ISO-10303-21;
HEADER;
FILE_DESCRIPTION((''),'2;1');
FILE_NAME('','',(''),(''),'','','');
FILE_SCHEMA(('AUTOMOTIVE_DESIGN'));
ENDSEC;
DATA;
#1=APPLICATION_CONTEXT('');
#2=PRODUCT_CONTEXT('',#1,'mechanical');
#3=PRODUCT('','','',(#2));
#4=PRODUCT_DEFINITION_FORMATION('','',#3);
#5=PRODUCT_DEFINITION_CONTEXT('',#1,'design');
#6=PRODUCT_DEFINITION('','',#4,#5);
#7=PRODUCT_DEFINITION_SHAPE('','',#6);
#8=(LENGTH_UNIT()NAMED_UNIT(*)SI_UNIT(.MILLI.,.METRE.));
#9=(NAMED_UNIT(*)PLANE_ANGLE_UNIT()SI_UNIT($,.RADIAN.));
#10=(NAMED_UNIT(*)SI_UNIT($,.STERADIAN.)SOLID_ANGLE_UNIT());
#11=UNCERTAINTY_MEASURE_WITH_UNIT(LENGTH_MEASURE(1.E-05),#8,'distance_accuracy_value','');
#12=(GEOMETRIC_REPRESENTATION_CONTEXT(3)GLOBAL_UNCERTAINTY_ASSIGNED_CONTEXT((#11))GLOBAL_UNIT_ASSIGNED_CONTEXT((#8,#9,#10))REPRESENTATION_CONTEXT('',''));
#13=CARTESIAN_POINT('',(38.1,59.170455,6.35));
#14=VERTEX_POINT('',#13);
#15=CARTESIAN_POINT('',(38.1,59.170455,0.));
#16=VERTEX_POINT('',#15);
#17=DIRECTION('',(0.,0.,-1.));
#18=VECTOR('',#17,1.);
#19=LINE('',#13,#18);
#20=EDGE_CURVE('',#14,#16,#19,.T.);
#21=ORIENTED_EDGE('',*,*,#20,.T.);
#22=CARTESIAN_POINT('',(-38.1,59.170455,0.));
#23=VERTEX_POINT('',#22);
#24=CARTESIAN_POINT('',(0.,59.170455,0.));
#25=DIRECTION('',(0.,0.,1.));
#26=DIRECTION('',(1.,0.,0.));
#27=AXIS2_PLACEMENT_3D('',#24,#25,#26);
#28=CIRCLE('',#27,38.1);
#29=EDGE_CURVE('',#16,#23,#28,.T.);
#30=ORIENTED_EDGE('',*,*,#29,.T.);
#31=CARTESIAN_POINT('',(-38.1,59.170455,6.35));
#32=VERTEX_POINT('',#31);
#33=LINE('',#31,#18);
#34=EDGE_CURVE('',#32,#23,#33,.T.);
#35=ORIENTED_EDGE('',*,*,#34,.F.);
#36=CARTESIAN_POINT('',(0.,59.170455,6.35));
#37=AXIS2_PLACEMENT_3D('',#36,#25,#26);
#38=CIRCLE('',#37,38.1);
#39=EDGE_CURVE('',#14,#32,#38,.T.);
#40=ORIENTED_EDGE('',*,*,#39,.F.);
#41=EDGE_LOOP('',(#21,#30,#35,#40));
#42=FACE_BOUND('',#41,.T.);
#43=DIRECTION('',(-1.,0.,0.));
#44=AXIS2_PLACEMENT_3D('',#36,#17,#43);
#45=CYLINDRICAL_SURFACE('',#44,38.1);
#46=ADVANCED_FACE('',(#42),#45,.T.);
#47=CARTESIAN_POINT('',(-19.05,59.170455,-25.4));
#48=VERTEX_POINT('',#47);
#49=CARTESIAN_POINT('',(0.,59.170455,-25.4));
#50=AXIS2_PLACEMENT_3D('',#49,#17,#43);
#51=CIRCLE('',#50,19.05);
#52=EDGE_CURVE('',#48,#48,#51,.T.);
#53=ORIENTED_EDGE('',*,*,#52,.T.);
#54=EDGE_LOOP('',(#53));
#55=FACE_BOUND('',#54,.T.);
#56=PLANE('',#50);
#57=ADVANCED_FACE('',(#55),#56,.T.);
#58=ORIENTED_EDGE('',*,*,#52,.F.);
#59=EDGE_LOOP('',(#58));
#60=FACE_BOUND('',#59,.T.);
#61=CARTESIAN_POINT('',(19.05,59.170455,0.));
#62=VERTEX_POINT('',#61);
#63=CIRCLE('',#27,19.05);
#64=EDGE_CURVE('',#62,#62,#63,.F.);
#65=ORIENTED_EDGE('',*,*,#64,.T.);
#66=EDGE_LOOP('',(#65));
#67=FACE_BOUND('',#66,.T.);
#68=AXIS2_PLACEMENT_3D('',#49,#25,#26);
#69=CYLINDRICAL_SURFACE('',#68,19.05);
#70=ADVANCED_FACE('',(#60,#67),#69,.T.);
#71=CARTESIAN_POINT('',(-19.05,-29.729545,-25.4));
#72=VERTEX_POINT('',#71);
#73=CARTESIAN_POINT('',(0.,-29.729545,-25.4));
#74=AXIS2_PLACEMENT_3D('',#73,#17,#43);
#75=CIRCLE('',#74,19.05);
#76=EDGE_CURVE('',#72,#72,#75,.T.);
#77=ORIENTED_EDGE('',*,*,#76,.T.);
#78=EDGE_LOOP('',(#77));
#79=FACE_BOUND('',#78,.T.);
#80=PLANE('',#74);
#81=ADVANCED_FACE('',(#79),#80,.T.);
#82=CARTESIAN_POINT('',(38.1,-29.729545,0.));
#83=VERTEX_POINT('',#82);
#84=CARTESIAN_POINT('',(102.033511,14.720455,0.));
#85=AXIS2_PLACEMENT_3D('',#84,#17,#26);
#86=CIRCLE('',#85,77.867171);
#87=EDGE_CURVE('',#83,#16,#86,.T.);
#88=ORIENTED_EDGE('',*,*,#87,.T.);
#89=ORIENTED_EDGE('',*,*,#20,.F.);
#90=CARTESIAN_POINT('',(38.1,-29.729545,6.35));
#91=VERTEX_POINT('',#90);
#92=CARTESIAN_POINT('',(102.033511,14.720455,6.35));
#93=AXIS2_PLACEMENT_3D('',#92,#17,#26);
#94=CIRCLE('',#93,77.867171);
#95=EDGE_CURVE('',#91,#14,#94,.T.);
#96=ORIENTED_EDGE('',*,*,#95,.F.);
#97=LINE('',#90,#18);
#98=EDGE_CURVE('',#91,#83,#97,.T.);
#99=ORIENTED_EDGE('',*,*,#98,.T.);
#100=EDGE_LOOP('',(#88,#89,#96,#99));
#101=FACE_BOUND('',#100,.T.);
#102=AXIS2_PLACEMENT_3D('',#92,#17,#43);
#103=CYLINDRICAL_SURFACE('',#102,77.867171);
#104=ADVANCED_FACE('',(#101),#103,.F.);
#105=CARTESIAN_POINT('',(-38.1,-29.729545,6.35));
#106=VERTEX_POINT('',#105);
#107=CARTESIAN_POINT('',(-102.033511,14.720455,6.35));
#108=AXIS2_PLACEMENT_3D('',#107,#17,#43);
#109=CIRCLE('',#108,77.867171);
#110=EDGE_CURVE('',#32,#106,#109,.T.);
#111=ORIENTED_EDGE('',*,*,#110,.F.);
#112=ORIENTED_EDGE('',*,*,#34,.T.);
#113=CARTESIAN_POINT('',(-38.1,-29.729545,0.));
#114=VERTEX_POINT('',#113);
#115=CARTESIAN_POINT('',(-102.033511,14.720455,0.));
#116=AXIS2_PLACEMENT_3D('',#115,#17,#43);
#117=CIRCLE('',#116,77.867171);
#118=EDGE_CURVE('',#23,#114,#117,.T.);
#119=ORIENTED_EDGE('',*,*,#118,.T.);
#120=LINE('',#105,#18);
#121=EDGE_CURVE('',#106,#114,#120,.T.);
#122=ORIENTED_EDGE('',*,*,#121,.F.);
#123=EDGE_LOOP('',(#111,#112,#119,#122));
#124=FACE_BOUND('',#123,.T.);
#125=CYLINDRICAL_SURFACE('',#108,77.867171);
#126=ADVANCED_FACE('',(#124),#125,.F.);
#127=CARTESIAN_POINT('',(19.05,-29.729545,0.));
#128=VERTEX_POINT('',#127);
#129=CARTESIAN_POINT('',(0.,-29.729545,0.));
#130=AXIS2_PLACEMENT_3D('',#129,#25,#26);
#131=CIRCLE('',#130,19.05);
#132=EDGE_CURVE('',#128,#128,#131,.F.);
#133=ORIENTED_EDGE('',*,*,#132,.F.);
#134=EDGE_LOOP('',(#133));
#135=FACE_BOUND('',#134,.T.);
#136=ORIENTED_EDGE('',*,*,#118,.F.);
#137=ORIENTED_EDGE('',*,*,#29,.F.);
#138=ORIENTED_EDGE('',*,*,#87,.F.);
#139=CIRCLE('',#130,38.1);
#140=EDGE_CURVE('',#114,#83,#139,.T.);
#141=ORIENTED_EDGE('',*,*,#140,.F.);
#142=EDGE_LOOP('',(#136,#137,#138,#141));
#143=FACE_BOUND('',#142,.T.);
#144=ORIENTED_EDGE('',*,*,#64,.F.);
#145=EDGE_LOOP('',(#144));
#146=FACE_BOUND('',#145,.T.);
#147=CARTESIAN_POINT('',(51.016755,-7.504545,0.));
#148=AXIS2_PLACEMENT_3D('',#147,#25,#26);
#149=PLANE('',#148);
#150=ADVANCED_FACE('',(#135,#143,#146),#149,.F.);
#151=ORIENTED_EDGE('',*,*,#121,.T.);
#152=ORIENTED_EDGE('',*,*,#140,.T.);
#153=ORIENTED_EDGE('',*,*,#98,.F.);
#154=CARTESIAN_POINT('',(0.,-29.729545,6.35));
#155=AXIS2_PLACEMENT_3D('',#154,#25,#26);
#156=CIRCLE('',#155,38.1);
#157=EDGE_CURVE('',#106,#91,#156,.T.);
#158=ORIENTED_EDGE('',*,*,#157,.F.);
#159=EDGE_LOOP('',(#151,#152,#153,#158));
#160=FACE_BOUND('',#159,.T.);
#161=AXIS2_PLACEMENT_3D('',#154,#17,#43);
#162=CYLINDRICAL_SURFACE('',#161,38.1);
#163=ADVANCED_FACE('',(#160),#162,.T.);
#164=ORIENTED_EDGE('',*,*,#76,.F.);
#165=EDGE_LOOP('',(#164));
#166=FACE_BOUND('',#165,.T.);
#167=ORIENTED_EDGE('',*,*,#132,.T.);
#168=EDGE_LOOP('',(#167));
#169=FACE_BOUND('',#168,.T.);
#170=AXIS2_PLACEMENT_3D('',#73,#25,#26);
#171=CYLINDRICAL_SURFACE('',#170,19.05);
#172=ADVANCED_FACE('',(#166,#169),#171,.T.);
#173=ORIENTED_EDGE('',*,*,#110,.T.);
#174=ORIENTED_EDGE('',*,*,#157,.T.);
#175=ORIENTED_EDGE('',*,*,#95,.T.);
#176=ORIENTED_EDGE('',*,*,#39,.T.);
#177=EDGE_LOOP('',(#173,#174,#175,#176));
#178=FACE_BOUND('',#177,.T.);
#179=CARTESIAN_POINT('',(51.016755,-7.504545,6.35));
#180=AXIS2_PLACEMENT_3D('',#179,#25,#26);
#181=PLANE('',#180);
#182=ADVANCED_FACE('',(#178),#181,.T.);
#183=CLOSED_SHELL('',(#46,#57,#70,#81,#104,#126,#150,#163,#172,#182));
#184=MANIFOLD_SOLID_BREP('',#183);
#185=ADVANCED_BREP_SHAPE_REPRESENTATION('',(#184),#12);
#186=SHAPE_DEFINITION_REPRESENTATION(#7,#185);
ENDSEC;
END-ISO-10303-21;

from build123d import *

# Parameters (mm, degrees)
BOSS_EXTRUDE1_DEPTH = 6.35
SKETCH2_R           = 19.05
BOSS_EXTRUDE2_DEPTH = 25.4


with BuildPart() as part:
    # Sketch1 → Boss-Extrude1 (new body)
    with BuildSketch(Plane.XY):
        with BuildLine():
            ThreePointArc((38.1, 59.170454545), (0, 97.270454545), (-38.1, 59.170454545))
            ThreePointArc((-38.1, 59.170454545), (-24.166339939, 14.720454545), (-38.1, -29.729545455))
            ThreePointArc((-38.1, -29.729545455), (0, -67.829545455), (38.1, -29.729545455))
            ThreePointArc((38.1, -29.729545455), (24.166339939, 14.720454545), (38.1, 59.170454545))
        make_face()
    extrude(amount=BOSS_EXTRUDE1_DEPTH)

    # Sketch2 → Boss-Extrude2 (add)
    with BuildSketch(Plane(origin=(0, 0, 0), x_dir=(-1, 0, 0), z_dir=(0, 0, -1))):
        with Locations((0, 59.170454545)):
            Circle(SKETCH2_R)
        with Locations((0, -29.729545455)):
            Circle(SKETCH2_R)
    extrude(amount=BOSS_EXTRUDE2_DEPTH)


solid = part.part
